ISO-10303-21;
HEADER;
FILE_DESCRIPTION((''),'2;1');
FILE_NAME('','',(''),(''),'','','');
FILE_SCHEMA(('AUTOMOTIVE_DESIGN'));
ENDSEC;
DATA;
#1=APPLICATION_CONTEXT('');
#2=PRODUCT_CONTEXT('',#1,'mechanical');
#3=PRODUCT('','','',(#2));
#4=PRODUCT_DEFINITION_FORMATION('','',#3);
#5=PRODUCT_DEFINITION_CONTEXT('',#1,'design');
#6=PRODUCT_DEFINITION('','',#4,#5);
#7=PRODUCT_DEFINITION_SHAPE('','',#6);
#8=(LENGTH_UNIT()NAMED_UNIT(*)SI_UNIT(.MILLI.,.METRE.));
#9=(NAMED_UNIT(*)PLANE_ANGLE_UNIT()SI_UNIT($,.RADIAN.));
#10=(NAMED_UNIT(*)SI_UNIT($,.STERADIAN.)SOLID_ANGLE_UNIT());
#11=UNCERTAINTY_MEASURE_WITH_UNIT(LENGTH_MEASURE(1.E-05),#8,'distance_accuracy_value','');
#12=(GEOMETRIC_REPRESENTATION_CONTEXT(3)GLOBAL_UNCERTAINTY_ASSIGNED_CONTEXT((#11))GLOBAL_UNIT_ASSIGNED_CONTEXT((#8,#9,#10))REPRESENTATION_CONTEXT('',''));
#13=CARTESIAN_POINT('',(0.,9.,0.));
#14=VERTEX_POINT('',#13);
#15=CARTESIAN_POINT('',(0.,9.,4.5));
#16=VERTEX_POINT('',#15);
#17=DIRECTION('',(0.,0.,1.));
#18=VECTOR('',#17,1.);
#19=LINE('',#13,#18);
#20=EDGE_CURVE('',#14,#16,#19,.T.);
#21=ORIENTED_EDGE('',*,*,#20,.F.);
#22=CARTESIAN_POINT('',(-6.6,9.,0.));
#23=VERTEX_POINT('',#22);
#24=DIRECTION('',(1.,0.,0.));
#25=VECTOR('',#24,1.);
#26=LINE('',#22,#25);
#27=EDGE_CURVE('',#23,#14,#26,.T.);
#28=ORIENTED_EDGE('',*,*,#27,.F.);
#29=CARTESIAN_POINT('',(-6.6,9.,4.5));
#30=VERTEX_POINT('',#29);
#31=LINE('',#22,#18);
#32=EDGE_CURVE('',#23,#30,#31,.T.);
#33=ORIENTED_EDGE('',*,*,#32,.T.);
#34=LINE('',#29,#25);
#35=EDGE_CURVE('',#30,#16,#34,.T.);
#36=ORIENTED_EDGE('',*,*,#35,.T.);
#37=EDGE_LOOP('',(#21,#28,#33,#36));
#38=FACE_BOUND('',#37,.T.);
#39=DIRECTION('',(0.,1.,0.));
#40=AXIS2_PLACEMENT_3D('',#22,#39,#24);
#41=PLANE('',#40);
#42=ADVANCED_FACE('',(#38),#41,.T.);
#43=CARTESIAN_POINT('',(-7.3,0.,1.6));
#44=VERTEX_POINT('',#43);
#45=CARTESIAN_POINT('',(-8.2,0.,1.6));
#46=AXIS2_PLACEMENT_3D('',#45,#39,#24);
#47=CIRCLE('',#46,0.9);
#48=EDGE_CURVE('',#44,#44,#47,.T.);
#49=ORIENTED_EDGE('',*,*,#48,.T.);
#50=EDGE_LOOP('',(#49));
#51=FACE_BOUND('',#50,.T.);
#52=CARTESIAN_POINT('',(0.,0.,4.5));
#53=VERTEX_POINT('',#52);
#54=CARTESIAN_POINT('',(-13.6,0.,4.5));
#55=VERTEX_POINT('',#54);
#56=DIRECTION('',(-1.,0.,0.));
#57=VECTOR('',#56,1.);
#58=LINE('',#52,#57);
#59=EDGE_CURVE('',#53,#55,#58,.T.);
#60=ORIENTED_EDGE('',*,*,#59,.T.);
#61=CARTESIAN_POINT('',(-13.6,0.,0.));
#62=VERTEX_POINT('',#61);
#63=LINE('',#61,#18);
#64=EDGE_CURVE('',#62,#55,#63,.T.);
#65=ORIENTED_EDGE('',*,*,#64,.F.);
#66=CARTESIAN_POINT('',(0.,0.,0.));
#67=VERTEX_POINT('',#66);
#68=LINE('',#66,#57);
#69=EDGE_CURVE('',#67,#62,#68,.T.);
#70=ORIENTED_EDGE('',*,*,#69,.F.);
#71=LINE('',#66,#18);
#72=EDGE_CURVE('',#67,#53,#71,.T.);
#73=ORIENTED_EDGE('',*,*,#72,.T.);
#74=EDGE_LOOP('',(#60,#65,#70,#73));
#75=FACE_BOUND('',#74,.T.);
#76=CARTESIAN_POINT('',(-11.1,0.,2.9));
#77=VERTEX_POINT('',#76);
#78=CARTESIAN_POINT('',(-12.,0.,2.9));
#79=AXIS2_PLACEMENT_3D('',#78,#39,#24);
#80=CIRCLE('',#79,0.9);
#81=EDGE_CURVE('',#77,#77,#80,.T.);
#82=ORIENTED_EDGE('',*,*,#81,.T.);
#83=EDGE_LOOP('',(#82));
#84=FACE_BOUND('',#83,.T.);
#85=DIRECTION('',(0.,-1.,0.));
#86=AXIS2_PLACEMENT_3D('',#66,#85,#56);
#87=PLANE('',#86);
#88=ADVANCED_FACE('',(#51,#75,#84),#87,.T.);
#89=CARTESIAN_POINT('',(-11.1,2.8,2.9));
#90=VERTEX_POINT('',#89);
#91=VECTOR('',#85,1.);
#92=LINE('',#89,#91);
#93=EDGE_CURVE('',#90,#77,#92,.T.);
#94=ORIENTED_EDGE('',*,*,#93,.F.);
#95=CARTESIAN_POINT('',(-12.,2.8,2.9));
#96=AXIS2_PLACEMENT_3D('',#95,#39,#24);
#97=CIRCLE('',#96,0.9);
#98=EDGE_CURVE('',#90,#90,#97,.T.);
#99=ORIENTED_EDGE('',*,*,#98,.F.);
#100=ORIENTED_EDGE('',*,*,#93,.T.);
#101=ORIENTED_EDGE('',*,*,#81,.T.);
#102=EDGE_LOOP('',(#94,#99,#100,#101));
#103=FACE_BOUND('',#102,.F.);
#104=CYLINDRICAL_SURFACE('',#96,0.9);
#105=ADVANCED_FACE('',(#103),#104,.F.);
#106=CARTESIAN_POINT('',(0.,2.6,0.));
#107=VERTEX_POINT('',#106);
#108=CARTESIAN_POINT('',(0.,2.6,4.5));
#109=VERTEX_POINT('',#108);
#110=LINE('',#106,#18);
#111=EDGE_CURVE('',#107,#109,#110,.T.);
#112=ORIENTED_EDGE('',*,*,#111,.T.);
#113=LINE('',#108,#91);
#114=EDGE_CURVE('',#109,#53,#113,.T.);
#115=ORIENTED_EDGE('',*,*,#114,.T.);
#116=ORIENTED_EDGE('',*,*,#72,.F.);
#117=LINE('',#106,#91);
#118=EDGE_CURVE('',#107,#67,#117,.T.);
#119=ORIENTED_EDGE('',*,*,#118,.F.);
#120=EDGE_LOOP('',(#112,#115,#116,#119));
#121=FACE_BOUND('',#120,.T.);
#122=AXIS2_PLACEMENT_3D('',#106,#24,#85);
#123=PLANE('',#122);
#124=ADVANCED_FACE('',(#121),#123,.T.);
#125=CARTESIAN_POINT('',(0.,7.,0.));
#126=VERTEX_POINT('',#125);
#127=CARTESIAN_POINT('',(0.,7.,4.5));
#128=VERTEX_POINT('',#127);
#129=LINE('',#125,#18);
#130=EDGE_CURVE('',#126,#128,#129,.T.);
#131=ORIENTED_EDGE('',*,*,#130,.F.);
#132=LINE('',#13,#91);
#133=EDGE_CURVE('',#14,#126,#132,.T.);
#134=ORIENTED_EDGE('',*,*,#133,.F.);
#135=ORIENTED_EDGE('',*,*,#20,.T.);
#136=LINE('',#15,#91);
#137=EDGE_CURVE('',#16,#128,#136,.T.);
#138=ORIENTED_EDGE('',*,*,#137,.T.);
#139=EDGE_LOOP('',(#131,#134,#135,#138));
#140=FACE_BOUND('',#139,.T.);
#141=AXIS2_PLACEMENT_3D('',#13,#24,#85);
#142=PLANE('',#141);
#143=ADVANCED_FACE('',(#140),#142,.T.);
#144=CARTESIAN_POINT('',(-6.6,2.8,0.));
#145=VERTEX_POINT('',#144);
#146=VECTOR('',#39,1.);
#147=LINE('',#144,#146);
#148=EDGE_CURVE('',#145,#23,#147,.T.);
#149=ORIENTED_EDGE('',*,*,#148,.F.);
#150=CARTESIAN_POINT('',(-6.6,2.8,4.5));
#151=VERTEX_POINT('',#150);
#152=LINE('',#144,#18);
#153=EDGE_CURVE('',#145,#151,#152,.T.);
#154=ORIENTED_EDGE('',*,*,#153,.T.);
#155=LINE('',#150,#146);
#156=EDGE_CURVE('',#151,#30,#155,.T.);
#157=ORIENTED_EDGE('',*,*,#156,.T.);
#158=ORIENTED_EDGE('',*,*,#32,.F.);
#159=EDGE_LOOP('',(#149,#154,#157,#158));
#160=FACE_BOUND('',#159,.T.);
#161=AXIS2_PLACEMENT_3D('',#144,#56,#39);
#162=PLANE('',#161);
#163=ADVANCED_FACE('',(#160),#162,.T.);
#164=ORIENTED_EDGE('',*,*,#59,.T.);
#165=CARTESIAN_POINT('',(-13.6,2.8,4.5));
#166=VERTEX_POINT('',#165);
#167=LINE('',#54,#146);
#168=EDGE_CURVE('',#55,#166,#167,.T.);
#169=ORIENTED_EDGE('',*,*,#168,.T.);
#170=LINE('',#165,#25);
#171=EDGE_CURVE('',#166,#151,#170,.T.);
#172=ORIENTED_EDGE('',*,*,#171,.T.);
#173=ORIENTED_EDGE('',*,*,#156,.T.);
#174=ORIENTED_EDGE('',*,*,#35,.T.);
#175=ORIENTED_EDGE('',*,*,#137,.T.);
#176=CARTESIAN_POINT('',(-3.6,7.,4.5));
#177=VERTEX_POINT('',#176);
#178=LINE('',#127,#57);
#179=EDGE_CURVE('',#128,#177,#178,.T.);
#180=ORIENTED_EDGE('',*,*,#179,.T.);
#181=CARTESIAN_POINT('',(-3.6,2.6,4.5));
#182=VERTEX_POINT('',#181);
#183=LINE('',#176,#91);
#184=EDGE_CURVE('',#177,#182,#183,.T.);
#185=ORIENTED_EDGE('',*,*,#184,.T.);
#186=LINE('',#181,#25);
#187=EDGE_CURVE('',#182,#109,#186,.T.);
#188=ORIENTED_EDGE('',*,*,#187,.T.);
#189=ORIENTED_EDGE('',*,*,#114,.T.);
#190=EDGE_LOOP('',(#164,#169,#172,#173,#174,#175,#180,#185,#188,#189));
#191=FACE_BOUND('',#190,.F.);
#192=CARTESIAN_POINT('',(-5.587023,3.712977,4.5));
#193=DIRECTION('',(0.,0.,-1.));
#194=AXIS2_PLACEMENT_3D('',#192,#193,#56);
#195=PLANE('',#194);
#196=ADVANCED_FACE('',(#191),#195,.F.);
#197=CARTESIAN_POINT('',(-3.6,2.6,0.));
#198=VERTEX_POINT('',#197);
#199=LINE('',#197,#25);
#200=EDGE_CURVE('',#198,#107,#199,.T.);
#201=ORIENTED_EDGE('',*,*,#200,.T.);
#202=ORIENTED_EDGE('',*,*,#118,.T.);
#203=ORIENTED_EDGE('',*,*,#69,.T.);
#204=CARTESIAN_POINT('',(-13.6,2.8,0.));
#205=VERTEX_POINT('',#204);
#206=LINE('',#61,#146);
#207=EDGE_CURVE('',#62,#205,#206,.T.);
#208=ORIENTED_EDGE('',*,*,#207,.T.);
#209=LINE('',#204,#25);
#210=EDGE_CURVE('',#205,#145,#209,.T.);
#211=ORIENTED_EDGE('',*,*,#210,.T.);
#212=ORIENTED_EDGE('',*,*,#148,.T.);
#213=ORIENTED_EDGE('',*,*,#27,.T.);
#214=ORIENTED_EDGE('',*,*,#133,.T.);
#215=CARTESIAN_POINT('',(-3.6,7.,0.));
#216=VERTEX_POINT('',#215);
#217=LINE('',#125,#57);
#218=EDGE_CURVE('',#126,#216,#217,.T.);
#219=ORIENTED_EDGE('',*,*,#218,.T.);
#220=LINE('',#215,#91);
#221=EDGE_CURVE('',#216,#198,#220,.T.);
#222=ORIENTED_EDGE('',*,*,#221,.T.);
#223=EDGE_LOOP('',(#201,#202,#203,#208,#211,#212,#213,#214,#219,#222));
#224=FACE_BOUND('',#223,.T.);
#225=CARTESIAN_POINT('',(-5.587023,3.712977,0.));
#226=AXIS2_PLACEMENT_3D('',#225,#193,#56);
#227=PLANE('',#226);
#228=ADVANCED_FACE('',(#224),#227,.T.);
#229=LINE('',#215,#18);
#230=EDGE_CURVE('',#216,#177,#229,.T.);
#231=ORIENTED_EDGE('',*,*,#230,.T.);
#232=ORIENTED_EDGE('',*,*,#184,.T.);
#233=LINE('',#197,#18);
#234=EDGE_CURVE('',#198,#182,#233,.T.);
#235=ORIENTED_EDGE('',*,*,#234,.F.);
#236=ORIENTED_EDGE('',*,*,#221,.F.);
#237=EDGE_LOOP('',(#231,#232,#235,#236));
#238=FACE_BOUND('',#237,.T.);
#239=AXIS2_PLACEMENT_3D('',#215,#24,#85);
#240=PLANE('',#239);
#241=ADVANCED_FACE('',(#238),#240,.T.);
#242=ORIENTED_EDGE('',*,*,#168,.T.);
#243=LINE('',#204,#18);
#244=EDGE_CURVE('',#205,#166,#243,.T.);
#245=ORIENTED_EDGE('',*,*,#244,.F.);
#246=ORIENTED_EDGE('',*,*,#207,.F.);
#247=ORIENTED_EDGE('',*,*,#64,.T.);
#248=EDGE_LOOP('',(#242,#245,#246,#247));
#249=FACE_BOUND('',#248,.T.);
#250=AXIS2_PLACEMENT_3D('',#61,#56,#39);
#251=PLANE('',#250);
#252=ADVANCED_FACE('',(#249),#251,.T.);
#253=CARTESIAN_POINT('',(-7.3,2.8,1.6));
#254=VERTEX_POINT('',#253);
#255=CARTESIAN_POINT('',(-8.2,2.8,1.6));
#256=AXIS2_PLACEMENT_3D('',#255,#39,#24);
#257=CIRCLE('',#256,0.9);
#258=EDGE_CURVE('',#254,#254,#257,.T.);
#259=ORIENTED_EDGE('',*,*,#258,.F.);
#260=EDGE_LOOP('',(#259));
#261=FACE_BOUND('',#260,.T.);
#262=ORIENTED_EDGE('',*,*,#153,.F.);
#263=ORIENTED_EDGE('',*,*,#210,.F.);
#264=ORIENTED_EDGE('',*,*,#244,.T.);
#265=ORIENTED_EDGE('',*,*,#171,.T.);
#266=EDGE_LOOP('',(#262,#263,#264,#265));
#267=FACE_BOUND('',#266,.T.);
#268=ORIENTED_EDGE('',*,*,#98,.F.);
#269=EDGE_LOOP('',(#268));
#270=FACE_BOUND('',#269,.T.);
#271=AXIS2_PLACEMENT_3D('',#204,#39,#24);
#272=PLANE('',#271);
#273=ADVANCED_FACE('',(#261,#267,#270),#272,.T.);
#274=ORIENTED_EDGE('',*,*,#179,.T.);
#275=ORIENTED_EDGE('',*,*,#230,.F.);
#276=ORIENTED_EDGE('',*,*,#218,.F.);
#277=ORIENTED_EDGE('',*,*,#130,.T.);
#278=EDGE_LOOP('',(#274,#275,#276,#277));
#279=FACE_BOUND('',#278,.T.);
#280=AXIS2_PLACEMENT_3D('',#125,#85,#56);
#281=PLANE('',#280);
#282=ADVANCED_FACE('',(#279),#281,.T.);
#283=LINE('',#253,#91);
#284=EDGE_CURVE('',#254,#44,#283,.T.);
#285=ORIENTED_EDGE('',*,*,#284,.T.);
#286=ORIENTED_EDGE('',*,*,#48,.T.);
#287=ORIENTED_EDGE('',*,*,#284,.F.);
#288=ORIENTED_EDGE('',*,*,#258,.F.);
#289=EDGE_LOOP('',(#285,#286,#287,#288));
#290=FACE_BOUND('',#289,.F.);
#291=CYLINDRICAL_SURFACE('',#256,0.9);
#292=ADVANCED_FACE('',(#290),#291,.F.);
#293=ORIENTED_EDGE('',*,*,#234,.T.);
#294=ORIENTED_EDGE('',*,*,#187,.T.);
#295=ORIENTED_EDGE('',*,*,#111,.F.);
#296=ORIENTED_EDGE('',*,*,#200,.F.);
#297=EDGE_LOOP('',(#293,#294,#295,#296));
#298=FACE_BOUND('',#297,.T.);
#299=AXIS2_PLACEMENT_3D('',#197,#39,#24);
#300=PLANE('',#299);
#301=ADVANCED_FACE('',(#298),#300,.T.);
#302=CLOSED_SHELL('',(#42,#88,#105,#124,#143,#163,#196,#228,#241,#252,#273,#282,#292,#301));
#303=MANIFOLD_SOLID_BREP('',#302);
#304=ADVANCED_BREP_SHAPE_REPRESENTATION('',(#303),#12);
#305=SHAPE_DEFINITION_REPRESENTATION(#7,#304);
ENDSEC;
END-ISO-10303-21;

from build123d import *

# Parameters (mm, degrees)
BOSS_EXTRUDE1_DEPTH = 4.5
SKETCH2_R           = 0.9
CUT_EXTRUDE1_DEPTH  = 10


with BuildPart() as part:
    # Sketch1 → Boss-Extrude1 (new body)
    with BuildSketch(Plane.XY):
        Polygon((0, 0), (-13.6, 0), (-13.6, 2.8), (-6.6, 2.8), (-6.6, 9), (0, 9), (0, 7), (-3.6, 7), (-3.6, 2.6), (0, 2.6), align=None)
    extrude(amount=BOSS_EXTRUDE1_DEPTH)

    # Sketch2 → Cut-Extrude1 (cut)
    with BuildSketch(Plane(origin=(0, 2.8, 0), x_dir=(1, 0, 0), z_dir=(0, 1, 0))):
        with Locations((-8.2, -1.6)):
            Circle(SKETCH2_R)
        with Locations((-12, -2.9)):
            Circle(SKETCH2_R)
    extrude(amount=-CUT_EXTRUDE1_DEPTH, mode=Mode.SUBTRACT)


solid = part.part
